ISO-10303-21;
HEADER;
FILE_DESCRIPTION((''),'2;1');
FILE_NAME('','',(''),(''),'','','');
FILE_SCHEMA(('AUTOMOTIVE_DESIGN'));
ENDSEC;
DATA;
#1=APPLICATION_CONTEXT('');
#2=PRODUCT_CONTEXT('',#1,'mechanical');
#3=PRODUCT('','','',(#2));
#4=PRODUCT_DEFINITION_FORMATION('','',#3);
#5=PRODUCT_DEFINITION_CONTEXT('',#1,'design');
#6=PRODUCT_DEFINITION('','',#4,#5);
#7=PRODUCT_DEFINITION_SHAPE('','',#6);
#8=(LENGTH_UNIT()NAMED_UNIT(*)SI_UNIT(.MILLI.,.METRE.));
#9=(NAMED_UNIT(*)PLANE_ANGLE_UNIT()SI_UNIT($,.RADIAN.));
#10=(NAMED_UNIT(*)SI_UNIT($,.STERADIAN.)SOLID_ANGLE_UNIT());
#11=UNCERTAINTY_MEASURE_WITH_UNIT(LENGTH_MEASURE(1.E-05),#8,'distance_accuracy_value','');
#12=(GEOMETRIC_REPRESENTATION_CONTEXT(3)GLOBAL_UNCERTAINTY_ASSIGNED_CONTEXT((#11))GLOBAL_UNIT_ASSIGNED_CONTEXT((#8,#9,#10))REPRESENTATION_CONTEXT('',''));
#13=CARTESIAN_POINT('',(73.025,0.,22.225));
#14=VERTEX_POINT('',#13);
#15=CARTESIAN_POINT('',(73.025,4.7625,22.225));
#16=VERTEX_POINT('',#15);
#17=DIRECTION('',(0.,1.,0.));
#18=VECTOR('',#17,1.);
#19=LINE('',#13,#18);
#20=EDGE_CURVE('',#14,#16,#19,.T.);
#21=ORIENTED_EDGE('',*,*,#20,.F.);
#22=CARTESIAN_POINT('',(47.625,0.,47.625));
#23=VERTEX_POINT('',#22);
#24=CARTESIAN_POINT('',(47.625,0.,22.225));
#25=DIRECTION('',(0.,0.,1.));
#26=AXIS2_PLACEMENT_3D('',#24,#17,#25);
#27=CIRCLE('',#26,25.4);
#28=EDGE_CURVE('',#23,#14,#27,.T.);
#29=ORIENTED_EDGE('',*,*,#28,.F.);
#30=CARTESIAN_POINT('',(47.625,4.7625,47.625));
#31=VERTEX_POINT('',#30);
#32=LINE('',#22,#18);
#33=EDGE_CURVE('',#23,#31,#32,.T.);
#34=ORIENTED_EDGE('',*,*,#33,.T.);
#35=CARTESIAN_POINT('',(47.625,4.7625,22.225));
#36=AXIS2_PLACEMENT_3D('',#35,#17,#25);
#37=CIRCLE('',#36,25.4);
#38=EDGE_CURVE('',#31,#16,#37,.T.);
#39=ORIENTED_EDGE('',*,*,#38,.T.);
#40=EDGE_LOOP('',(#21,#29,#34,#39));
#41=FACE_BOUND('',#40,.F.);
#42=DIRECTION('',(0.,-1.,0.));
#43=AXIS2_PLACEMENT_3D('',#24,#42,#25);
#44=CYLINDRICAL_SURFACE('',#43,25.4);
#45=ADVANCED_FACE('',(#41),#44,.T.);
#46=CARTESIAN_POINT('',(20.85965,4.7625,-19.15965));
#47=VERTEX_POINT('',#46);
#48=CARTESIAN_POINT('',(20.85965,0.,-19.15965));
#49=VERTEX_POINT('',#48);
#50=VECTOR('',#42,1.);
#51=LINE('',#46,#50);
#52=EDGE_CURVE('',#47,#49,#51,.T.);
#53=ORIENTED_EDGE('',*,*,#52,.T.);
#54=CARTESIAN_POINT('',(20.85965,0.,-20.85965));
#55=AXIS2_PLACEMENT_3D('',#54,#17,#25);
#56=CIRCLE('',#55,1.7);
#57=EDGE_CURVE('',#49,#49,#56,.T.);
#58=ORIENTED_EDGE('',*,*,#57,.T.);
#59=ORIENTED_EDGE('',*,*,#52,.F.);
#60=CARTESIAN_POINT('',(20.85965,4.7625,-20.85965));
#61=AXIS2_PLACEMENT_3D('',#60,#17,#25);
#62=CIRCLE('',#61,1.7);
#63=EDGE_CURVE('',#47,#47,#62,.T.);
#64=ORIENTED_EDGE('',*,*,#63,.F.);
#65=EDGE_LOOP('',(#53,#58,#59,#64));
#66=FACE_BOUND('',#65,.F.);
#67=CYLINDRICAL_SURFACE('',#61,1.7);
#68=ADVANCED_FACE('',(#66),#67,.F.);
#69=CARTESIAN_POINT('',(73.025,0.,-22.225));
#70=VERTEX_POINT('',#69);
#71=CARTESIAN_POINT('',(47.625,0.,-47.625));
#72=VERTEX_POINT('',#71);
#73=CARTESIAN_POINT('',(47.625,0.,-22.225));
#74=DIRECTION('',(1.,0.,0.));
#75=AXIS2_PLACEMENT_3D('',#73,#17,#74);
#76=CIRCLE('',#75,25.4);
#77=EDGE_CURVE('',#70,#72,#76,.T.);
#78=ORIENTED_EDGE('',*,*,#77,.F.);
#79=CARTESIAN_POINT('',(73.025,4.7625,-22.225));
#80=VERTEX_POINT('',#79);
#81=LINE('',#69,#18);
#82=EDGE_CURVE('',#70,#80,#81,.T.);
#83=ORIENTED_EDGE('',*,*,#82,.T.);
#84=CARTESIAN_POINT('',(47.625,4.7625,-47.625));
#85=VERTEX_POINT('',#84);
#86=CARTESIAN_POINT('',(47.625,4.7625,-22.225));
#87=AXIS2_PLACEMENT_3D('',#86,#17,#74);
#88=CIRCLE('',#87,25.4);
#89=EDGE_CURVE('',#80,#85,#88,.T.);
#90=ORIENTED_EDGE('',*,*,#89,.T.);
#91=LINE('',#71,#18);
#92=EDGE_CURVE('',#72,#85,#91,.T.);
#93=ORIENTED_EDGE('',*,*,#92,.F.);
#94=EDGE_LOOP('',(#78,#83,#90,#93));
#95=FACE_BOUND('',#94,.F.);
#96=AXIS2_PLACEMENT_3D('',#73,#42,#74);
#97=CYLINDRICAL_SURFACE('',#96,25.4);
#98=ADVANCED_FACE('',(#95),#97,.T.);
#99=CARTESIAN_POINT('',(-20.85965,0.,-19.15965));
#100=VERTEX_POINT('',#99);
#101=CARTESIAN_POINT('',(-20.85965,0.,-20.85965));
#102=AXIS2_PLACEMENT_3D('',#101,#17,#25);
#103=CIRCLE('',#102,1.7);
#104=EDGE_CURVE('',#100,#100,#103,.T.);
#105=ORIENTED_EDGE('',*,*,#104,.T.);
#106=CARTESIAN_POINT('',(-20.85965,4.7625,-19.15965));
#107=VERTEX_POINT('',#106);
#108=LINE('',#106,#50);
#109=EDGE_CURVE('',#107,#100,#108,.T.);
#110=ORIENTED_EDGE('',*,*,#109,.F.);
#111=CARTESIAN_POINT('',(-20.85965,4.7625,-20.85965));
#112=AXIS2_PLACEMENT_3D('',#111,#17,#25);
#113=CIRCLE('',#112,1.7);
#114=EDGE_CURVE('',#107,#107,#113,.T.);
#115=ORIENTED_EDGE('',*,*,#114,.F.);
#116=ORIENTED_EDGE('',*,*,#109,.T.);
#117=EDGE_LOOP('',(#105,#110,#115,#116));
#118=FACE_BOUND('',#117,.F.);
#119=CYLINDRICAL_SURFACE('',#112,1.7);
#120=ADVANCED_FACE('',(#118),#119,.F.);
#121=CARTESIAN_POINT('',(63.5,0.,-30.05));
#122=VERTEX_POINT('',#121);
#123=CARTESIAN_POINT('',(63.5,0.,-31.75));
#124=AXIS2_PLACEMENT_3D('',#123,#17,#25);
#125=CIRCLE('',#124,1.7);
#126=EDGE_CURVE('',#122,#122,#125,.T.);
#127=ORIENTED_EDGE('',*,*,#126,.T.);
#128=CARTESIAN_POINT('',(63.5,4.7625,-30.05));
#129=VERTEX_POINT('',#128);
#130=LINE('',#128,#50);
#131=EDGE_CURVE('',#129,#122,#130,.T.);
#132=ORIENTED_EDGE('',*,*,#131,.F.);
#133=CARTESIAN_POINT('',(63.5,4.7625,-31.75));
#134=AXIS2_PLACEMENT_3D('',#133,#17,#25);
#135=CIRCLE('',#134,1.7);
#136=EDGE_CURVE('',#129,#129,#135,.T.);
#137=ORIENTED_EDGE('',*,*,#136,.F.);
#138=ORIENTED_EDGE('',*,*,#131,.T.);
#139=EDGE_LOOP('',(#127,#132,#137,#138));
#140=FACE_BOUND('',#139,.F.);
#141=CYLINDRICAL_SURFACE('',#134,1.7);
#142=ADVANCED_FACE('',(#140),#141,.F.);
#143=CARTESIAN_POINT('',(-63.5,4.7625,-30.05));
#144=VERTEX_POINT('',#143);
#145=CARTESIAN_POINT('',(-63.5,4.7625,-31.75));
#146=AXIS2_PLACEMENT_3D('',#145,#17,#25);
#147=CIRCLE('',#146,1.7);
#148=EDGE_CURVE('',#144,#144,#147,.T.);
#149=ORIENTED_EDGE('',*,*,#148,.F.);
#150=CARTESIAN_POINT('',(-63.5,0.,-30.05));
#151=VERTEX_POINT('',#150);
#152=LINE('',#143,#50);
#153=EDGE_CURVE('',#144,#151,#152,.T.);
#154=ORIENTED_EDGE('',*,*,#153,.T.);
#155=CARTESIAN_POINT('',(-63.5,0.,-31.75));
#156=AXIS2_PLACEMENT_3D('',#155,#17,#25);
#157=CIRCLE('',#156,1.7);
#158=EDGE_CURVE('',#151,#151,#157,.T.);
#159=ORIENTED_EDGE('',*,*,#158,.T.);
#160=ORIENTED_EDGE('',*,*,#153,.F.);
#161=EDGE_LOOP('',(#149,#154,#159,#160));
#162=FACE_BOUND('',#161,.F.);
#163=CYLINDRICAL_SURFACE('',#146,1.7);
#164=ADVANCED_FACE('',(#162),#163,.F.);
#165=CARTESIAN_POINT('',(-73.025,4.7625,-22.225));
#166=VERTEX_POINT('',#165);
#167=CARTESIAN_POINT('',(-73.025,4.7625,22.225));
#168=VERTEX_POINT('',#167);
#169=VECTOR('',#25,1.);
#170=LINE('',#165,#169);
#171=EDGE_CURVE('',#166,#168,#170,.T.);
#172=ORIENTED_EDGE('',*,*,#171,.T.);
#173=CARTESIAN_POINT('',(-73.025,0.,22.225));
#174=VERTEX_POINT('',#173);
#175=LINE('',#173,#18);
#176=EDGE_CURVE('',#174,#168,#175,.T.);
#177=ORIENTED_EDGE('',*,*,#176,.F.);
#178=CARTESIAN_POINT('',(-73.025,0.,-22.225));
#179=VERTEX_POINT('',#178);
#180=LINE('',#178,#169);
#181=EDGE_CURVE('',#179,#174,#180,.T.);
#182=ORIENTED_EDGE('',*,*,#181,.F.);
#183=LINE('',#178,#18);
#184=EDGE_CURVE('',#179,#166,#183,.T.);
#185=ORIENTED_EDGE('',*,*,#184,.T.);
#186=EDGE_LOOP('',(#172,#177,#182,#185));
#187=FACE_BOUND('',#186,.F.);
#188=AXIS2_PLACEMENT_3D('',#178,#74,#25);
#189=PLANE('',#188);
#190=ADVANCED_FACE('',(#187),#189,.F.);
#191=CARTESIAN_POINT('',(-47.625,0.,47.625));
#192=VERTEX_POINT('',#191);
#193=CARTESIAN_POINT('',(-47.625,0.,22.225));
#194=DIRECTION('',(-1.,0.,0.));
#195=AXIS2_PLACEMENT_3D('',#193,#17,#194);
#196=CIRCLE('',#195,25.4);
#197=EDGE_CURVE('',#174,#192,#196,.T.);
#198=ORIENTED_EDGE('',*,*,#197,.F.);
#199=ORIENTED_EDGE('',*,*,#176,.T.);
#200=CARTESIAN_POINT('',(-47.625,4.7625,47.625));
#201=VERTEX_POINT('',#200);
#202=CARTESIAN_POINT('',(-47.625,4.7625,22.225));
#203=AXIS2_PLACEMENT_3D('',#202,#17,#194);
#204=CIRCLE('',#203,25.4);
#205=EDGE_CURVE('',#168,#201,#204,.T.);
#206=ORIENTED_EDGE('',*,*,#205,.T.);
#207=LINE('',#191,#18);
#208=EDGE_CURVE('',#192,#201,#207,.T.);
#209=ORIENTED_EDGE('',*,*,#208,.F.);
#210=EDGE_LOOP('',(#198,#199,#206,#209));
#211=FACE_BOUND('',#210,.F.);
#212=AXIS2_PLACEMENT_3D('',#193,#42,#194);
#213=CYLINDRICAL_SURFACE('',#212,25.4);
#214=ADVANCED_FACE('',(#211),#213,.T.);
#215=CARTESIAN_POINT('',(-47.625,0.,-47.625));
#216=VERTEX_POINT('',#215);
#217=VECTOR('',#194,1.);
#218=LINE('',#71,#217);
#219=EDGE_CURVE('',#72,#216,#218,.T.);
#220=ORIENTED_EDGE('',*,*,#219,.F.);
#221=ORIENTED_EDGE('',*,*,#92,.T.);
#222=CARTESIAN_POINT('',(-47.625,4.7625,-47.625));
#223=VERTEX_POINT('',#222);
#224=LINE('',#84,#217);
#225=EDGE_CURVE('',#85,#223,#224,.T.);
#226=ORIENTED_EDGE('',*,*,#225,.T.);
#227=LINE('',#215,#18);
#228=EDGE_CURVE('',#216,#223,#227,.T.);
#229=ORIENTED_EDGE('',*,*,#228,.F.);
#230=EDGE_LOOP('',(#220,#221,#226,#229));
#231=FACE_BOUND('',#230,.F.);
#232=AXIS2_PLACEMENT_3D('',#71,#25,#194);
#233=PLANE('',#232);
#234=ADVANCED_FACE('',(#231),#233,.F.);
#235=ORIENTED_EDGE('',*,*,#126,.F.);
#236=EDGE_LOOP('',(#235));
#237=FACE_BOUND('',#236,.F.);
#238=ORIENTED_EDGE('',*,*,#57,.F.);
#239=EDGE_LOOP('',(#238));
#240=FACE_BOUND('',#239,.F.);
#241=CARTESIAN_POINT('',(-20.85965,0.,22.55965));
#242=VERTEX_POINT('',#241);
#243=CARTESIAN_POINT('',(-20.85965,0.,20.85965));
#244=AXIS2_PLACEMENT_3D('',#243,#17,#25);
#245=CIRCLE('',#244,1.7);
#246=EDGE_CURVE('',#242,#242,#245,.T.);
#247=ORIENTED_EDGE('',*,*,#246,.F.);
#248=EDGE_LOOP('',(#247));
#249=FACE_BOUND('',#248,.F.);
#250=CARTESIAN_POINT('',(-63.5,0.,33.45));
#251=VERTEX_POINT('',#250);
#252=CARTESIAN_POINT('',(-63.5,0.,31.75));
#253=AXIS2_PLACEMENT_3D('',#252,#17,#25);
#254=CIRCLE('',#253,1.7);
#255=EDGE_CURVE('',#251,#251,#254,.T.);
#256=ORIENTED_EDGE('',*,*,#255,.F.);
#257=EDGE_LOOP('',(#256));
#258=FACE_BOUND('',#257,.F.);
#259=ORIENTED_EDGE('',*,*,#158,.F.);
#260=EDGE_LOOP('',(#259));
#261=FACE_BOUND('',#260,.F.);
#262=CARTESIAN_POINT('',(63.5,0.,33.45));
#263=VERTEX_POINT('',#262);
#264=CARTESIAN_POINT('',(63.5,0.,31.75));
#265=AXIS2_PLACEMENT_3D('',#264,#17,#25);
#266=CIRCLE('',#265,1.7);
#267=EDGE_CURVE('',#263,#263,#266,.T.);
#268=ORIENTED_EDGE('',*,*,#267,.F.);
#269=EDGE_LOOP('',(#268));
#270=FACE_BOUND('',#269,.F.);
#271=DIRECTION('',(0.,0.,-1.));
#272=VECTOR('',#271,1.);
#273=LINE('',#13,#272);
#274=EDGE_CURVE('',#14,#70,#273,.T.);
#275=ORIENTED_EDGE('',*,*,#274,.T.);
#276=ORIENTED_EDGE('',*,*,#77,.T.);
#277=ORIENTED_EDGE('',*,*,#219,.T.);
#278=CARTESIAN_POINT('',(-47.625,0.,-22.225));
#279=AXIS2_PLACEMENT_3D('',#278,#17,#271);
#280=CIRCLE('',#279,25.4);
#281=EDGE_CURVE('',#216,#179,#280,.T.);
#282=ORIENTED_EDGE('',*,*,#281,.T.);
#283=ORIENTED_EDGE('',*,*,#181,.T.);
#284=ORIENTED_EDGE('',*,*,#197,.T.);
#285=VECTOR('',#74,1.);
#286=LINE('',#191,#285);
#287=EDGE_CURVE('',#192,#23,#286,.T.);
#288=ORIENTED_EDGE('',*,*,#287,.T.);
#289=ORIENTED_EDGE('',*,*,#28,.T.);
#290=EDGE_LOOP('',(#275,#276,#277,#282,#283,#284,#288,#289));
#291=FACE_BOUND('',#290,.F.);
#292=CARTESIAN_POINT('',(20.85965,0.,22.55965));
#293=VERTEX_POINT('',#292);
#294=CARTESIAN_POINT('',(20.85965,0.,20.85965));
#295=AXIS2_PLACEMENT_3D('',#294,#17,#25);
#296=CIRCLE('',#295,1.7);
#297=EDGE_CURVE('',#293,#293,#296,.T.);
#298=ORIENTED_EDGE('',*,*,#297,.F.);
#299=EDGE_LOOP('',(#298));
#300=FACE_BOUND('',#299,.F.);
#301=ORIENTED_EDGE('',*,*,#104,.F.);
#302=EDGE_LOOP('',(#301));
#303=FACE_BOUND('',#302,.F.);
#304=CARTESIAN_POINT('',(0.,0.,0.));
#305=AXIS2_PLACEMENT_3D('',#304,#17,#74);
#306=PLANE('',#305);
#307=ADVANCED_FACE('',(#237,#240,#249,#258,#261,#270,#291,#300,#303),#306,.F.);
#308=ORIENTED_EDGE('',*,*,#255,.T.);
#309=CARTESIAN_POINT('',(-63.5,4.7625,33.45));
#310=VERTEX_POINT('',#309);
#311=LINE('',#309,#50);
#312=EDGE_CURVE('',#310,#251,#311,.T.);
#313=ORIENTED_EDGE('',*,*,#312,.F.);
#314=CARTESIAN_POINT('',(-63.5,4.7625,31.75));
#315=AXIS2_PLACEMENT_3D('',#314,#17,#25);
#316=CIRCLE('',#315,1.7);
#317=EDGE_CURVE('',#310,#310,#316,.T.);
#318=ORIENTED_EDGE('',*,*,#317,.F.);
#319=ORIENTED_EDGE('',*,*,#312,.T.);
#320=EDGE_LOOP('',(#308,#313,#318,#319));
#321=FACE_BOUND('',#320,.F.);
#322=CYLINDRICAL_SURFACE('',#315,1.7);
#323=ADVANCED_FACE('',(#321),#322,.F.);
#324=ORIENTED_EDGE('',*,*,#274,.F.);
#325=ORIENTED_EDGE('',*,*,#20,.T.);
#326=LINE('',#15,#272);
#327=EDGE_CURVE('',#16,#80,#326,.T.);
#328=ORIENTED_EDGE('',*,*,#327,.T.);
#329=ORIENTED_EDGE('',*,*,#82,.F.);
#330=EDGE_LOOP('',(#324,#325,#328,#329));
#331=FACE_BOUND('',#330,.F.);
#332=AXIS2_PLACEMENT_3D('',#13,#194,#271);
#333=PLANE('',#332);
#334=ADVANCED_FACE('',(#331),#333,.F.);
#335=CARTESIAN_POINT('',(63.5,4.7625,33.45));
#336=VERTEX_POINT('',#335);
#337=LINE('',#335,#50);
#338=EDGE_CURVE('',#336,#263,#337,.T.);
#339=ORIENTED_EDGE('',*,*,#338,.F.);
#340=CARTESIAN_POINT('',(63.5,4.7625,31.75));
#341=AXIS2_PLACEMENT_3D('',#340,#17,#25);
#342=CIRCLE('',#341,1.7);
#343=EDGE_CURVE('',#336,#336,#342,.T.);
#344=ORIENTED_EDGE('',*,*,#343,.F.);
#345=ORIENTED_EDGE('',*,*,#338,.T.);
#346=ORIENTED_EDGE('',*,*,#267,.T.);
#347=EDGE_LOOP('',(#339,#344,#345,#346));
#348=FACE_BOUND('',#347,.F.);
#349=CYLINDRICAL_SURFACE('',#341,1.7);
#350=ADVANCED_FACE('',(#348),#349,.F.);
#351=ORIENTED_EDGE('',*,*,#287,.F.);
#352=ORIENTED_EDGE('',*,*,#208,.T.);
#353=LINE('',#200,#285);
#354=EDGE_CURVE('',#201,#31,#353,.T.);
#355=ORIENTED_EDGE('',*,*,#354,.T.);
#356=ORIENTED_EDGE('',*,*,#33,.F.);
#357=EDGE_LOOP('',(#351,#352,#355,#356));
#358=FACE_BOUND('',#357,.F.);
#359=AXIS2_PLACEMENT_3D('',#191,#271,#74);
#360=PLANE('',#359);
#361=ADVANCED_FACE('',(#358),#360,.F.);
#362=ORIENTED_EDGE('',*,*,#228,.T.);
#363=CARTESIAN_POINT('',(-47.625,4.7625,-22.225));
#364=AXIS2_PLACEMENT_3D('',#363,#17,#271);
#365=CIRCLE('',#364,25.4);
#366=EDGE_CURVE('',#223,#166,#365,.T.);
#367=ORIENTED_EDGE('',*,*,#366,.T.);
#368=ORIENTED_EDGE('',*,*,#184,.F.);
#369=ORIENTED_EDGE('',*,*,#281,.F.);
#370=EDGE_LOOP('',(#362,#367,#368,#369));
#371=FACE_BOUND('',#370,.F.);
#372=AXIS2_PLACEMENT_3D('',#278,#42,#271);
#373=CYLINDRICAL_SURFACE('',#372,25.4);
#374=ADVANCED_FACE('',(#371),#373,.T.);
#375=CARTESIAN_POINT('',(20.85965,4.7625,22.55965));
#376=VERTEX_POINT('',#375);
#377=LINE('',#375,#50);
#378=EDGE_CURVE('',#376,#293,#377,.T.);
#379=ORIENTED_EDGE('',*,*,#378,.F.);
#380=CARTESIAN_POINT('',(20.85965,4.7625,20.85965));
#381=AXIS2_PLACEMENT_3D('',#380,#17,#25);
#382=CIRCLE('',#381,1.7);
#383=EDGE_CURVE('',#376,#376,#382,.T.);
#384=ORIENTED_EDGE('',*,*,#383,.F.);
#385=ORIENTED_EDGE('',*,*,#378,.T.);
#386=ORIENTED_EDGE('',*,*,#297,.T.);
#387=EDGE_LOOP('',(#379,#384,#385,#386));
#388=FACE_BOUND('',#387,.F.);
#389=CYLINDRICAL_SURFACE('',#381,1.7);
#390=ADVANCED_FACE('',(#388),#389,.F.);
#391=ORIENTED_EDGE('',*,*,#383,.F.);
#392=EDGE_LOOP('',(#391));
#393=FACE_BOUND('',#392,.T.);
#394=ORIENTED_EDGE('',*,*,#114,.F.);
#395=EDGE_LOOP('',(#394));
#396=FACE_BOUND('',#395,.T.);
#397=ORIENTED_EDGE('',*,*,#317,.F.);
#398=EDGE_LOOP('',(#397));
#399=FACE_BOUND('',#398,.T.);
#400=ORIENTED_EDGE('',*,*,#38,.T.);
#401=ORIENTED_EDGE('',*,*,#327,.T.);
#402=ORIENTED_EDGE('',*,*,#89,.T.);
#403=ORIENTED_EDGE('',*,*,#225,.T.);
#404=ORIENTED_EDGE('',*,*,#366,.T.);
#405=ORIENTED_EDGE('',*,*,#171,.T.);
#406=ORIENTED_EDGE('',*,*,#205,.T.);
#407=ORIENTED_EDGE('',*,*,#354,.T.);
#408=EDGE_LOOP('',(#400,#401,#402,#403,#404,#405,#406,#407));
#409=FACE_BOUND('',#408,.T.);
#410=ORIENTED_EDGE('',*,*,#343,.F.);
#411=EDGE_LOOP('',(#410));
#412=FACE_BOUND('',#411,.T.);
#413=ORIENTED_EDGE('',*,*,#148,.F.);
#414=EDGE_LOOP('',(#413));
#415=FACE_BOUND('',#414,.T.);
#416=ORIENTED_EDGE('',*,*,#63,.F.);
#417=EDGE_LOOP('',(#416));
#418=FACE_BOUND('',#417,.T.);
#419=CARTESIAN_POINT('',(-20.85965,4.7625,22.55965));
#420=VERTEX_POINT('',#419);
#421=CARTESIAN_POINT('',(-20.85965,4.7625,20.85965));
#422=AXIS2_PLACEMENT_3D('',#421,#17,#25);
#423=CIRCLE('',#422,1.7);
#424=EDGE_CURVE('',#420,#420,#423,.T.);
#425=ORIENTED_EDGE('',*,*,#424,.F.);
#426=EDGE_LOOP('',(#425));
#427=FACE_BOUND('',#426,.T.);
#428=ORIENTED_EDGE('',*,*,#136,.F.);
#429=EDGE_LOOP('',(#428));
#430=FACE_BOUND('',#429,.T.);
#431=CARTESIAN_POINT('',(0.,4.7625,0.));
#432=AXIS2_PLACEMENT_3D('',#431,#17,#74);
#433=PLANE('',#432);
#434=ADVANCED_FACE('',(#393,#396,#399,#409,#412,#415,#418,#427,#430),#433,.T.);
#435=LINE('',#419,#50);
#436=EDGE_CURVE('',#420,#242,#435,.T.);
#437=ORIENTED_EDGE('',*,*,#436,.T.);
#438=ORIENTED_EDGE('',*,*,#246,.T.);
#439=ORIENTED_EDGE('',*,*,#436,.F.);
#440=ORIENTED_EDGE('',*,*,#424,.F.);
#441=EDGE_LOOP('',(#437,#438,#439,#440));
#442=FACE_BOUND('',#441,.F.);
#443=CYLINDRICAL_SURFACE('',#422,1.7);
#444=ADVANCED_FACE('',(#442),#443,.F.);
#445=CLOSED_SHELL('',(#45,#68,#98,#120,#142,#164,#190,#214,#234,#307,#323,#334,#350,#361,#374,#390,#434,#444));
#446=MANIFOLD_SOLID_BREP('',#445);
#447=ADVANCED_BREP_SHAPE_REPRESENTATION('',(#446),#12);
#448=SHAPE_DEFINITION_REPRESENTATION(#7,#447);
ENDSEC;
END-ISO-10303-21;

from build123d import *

# Parameters (mm, degrees)
BOSS_EXTRUDE1_DEPTH = 4.7625
SKETCH2_R           = 1.7
CUT_EXTRUDE1_DEPTH  = 88.3125
SKETCH3_R           = 1.7
CUT_EXTRUDE2_DEPTH  = 88.3125


with BuildPart() as part:
    # Sketch1 → Boss-Extrude1 (new body)
    with BuildSketch(Plane(origin=(0, 0, 0), x_dir=(1, 0, 0), z_dir=(0, 1, 0))):
        with BuildLine():
            Line((-47.625, -47.625), (47.625, -47.625))
            ThreePointArc((47.625, -47.625), (65.585512242, -40.185512242), (73.025, -22.225))
            Line((73.025, -22.225), (73.025, 22.225))
            ThreePointArc((73.025, 22.225), (65.585512242, 40.185512242), (47.625, 47.625))
            Line((47.625, 47.625), (-47.625, 47.625))
            ThreePointArc((-47.625, 47.625), (-65.585512242, 40.185512242), (-73.025, 22.225))
            Line((-73.025, 22.225), (-73.025, -22.225))
            ThreePointArc((-73.025, -22.225), (-65.585512242, -40.185512242), (-47.625, -47.625))
        make_face()
    extrude(amount=BOSS_EXTRUDE1_DEPTH)

    # Sketch2 → Cut-Extrude1 (cut, through all)
    with BuildSketch(Plane(origin=(0, 4.7625, 0), x_dir=(1, 0, 0), z_dir=(0, 1, 0))):
        with Locations(Location((-63.5, -31.75, 0), (0, 0, 270))):
            Circle(SKETCH2_R)
        with Locations(Location((-63.5, 31.75, 0), (0, 0, 270))):
            Circle(SKETCH2_R)
        with Locations(Location((63.5, 31.75, 0), (0, 0, 270))):
            Circle(SKETCH2_R)
        with Locations(Location((63.5, -31.75, 0), (0, 0, 270))):
            Circle(SKETCH2_R)
    extrude(amount=-CUT_EXTRUDE1_DEPTH, mode=Mode.SUBTRACT)

    # Sketch3 → Cut-Extrude2 (cut, through all)
    with BuildSketch(Plane(origin=(0, 4.7625, 0), x_dir=(1, 0, 0), z_dir=(0, 1, 0))):
        with Locations(Location((20.859650045, 20.859650045, 0), (0, 0, 270))):
            Circle(SKETCH3_R)
        with Locations(Location((-20.859650045, 20.859650045, 0), (0, 0, 270))):
            Circle(SKETCH3_R)
        with Locations(Location((-20.859650045, -20.859650045, 0), (0, 0, 270))):
            Circle(SKETCH3_R)
        with Locations(Location((20.859650045, -20.859650045, 0), (0, 0, 270))):
            Circle(SKETCH3_R)
    extrude(amount=-CUT_EXTRUDE2_DEPTH, mode=Mode.SUBTRACT)


solid = part.part
